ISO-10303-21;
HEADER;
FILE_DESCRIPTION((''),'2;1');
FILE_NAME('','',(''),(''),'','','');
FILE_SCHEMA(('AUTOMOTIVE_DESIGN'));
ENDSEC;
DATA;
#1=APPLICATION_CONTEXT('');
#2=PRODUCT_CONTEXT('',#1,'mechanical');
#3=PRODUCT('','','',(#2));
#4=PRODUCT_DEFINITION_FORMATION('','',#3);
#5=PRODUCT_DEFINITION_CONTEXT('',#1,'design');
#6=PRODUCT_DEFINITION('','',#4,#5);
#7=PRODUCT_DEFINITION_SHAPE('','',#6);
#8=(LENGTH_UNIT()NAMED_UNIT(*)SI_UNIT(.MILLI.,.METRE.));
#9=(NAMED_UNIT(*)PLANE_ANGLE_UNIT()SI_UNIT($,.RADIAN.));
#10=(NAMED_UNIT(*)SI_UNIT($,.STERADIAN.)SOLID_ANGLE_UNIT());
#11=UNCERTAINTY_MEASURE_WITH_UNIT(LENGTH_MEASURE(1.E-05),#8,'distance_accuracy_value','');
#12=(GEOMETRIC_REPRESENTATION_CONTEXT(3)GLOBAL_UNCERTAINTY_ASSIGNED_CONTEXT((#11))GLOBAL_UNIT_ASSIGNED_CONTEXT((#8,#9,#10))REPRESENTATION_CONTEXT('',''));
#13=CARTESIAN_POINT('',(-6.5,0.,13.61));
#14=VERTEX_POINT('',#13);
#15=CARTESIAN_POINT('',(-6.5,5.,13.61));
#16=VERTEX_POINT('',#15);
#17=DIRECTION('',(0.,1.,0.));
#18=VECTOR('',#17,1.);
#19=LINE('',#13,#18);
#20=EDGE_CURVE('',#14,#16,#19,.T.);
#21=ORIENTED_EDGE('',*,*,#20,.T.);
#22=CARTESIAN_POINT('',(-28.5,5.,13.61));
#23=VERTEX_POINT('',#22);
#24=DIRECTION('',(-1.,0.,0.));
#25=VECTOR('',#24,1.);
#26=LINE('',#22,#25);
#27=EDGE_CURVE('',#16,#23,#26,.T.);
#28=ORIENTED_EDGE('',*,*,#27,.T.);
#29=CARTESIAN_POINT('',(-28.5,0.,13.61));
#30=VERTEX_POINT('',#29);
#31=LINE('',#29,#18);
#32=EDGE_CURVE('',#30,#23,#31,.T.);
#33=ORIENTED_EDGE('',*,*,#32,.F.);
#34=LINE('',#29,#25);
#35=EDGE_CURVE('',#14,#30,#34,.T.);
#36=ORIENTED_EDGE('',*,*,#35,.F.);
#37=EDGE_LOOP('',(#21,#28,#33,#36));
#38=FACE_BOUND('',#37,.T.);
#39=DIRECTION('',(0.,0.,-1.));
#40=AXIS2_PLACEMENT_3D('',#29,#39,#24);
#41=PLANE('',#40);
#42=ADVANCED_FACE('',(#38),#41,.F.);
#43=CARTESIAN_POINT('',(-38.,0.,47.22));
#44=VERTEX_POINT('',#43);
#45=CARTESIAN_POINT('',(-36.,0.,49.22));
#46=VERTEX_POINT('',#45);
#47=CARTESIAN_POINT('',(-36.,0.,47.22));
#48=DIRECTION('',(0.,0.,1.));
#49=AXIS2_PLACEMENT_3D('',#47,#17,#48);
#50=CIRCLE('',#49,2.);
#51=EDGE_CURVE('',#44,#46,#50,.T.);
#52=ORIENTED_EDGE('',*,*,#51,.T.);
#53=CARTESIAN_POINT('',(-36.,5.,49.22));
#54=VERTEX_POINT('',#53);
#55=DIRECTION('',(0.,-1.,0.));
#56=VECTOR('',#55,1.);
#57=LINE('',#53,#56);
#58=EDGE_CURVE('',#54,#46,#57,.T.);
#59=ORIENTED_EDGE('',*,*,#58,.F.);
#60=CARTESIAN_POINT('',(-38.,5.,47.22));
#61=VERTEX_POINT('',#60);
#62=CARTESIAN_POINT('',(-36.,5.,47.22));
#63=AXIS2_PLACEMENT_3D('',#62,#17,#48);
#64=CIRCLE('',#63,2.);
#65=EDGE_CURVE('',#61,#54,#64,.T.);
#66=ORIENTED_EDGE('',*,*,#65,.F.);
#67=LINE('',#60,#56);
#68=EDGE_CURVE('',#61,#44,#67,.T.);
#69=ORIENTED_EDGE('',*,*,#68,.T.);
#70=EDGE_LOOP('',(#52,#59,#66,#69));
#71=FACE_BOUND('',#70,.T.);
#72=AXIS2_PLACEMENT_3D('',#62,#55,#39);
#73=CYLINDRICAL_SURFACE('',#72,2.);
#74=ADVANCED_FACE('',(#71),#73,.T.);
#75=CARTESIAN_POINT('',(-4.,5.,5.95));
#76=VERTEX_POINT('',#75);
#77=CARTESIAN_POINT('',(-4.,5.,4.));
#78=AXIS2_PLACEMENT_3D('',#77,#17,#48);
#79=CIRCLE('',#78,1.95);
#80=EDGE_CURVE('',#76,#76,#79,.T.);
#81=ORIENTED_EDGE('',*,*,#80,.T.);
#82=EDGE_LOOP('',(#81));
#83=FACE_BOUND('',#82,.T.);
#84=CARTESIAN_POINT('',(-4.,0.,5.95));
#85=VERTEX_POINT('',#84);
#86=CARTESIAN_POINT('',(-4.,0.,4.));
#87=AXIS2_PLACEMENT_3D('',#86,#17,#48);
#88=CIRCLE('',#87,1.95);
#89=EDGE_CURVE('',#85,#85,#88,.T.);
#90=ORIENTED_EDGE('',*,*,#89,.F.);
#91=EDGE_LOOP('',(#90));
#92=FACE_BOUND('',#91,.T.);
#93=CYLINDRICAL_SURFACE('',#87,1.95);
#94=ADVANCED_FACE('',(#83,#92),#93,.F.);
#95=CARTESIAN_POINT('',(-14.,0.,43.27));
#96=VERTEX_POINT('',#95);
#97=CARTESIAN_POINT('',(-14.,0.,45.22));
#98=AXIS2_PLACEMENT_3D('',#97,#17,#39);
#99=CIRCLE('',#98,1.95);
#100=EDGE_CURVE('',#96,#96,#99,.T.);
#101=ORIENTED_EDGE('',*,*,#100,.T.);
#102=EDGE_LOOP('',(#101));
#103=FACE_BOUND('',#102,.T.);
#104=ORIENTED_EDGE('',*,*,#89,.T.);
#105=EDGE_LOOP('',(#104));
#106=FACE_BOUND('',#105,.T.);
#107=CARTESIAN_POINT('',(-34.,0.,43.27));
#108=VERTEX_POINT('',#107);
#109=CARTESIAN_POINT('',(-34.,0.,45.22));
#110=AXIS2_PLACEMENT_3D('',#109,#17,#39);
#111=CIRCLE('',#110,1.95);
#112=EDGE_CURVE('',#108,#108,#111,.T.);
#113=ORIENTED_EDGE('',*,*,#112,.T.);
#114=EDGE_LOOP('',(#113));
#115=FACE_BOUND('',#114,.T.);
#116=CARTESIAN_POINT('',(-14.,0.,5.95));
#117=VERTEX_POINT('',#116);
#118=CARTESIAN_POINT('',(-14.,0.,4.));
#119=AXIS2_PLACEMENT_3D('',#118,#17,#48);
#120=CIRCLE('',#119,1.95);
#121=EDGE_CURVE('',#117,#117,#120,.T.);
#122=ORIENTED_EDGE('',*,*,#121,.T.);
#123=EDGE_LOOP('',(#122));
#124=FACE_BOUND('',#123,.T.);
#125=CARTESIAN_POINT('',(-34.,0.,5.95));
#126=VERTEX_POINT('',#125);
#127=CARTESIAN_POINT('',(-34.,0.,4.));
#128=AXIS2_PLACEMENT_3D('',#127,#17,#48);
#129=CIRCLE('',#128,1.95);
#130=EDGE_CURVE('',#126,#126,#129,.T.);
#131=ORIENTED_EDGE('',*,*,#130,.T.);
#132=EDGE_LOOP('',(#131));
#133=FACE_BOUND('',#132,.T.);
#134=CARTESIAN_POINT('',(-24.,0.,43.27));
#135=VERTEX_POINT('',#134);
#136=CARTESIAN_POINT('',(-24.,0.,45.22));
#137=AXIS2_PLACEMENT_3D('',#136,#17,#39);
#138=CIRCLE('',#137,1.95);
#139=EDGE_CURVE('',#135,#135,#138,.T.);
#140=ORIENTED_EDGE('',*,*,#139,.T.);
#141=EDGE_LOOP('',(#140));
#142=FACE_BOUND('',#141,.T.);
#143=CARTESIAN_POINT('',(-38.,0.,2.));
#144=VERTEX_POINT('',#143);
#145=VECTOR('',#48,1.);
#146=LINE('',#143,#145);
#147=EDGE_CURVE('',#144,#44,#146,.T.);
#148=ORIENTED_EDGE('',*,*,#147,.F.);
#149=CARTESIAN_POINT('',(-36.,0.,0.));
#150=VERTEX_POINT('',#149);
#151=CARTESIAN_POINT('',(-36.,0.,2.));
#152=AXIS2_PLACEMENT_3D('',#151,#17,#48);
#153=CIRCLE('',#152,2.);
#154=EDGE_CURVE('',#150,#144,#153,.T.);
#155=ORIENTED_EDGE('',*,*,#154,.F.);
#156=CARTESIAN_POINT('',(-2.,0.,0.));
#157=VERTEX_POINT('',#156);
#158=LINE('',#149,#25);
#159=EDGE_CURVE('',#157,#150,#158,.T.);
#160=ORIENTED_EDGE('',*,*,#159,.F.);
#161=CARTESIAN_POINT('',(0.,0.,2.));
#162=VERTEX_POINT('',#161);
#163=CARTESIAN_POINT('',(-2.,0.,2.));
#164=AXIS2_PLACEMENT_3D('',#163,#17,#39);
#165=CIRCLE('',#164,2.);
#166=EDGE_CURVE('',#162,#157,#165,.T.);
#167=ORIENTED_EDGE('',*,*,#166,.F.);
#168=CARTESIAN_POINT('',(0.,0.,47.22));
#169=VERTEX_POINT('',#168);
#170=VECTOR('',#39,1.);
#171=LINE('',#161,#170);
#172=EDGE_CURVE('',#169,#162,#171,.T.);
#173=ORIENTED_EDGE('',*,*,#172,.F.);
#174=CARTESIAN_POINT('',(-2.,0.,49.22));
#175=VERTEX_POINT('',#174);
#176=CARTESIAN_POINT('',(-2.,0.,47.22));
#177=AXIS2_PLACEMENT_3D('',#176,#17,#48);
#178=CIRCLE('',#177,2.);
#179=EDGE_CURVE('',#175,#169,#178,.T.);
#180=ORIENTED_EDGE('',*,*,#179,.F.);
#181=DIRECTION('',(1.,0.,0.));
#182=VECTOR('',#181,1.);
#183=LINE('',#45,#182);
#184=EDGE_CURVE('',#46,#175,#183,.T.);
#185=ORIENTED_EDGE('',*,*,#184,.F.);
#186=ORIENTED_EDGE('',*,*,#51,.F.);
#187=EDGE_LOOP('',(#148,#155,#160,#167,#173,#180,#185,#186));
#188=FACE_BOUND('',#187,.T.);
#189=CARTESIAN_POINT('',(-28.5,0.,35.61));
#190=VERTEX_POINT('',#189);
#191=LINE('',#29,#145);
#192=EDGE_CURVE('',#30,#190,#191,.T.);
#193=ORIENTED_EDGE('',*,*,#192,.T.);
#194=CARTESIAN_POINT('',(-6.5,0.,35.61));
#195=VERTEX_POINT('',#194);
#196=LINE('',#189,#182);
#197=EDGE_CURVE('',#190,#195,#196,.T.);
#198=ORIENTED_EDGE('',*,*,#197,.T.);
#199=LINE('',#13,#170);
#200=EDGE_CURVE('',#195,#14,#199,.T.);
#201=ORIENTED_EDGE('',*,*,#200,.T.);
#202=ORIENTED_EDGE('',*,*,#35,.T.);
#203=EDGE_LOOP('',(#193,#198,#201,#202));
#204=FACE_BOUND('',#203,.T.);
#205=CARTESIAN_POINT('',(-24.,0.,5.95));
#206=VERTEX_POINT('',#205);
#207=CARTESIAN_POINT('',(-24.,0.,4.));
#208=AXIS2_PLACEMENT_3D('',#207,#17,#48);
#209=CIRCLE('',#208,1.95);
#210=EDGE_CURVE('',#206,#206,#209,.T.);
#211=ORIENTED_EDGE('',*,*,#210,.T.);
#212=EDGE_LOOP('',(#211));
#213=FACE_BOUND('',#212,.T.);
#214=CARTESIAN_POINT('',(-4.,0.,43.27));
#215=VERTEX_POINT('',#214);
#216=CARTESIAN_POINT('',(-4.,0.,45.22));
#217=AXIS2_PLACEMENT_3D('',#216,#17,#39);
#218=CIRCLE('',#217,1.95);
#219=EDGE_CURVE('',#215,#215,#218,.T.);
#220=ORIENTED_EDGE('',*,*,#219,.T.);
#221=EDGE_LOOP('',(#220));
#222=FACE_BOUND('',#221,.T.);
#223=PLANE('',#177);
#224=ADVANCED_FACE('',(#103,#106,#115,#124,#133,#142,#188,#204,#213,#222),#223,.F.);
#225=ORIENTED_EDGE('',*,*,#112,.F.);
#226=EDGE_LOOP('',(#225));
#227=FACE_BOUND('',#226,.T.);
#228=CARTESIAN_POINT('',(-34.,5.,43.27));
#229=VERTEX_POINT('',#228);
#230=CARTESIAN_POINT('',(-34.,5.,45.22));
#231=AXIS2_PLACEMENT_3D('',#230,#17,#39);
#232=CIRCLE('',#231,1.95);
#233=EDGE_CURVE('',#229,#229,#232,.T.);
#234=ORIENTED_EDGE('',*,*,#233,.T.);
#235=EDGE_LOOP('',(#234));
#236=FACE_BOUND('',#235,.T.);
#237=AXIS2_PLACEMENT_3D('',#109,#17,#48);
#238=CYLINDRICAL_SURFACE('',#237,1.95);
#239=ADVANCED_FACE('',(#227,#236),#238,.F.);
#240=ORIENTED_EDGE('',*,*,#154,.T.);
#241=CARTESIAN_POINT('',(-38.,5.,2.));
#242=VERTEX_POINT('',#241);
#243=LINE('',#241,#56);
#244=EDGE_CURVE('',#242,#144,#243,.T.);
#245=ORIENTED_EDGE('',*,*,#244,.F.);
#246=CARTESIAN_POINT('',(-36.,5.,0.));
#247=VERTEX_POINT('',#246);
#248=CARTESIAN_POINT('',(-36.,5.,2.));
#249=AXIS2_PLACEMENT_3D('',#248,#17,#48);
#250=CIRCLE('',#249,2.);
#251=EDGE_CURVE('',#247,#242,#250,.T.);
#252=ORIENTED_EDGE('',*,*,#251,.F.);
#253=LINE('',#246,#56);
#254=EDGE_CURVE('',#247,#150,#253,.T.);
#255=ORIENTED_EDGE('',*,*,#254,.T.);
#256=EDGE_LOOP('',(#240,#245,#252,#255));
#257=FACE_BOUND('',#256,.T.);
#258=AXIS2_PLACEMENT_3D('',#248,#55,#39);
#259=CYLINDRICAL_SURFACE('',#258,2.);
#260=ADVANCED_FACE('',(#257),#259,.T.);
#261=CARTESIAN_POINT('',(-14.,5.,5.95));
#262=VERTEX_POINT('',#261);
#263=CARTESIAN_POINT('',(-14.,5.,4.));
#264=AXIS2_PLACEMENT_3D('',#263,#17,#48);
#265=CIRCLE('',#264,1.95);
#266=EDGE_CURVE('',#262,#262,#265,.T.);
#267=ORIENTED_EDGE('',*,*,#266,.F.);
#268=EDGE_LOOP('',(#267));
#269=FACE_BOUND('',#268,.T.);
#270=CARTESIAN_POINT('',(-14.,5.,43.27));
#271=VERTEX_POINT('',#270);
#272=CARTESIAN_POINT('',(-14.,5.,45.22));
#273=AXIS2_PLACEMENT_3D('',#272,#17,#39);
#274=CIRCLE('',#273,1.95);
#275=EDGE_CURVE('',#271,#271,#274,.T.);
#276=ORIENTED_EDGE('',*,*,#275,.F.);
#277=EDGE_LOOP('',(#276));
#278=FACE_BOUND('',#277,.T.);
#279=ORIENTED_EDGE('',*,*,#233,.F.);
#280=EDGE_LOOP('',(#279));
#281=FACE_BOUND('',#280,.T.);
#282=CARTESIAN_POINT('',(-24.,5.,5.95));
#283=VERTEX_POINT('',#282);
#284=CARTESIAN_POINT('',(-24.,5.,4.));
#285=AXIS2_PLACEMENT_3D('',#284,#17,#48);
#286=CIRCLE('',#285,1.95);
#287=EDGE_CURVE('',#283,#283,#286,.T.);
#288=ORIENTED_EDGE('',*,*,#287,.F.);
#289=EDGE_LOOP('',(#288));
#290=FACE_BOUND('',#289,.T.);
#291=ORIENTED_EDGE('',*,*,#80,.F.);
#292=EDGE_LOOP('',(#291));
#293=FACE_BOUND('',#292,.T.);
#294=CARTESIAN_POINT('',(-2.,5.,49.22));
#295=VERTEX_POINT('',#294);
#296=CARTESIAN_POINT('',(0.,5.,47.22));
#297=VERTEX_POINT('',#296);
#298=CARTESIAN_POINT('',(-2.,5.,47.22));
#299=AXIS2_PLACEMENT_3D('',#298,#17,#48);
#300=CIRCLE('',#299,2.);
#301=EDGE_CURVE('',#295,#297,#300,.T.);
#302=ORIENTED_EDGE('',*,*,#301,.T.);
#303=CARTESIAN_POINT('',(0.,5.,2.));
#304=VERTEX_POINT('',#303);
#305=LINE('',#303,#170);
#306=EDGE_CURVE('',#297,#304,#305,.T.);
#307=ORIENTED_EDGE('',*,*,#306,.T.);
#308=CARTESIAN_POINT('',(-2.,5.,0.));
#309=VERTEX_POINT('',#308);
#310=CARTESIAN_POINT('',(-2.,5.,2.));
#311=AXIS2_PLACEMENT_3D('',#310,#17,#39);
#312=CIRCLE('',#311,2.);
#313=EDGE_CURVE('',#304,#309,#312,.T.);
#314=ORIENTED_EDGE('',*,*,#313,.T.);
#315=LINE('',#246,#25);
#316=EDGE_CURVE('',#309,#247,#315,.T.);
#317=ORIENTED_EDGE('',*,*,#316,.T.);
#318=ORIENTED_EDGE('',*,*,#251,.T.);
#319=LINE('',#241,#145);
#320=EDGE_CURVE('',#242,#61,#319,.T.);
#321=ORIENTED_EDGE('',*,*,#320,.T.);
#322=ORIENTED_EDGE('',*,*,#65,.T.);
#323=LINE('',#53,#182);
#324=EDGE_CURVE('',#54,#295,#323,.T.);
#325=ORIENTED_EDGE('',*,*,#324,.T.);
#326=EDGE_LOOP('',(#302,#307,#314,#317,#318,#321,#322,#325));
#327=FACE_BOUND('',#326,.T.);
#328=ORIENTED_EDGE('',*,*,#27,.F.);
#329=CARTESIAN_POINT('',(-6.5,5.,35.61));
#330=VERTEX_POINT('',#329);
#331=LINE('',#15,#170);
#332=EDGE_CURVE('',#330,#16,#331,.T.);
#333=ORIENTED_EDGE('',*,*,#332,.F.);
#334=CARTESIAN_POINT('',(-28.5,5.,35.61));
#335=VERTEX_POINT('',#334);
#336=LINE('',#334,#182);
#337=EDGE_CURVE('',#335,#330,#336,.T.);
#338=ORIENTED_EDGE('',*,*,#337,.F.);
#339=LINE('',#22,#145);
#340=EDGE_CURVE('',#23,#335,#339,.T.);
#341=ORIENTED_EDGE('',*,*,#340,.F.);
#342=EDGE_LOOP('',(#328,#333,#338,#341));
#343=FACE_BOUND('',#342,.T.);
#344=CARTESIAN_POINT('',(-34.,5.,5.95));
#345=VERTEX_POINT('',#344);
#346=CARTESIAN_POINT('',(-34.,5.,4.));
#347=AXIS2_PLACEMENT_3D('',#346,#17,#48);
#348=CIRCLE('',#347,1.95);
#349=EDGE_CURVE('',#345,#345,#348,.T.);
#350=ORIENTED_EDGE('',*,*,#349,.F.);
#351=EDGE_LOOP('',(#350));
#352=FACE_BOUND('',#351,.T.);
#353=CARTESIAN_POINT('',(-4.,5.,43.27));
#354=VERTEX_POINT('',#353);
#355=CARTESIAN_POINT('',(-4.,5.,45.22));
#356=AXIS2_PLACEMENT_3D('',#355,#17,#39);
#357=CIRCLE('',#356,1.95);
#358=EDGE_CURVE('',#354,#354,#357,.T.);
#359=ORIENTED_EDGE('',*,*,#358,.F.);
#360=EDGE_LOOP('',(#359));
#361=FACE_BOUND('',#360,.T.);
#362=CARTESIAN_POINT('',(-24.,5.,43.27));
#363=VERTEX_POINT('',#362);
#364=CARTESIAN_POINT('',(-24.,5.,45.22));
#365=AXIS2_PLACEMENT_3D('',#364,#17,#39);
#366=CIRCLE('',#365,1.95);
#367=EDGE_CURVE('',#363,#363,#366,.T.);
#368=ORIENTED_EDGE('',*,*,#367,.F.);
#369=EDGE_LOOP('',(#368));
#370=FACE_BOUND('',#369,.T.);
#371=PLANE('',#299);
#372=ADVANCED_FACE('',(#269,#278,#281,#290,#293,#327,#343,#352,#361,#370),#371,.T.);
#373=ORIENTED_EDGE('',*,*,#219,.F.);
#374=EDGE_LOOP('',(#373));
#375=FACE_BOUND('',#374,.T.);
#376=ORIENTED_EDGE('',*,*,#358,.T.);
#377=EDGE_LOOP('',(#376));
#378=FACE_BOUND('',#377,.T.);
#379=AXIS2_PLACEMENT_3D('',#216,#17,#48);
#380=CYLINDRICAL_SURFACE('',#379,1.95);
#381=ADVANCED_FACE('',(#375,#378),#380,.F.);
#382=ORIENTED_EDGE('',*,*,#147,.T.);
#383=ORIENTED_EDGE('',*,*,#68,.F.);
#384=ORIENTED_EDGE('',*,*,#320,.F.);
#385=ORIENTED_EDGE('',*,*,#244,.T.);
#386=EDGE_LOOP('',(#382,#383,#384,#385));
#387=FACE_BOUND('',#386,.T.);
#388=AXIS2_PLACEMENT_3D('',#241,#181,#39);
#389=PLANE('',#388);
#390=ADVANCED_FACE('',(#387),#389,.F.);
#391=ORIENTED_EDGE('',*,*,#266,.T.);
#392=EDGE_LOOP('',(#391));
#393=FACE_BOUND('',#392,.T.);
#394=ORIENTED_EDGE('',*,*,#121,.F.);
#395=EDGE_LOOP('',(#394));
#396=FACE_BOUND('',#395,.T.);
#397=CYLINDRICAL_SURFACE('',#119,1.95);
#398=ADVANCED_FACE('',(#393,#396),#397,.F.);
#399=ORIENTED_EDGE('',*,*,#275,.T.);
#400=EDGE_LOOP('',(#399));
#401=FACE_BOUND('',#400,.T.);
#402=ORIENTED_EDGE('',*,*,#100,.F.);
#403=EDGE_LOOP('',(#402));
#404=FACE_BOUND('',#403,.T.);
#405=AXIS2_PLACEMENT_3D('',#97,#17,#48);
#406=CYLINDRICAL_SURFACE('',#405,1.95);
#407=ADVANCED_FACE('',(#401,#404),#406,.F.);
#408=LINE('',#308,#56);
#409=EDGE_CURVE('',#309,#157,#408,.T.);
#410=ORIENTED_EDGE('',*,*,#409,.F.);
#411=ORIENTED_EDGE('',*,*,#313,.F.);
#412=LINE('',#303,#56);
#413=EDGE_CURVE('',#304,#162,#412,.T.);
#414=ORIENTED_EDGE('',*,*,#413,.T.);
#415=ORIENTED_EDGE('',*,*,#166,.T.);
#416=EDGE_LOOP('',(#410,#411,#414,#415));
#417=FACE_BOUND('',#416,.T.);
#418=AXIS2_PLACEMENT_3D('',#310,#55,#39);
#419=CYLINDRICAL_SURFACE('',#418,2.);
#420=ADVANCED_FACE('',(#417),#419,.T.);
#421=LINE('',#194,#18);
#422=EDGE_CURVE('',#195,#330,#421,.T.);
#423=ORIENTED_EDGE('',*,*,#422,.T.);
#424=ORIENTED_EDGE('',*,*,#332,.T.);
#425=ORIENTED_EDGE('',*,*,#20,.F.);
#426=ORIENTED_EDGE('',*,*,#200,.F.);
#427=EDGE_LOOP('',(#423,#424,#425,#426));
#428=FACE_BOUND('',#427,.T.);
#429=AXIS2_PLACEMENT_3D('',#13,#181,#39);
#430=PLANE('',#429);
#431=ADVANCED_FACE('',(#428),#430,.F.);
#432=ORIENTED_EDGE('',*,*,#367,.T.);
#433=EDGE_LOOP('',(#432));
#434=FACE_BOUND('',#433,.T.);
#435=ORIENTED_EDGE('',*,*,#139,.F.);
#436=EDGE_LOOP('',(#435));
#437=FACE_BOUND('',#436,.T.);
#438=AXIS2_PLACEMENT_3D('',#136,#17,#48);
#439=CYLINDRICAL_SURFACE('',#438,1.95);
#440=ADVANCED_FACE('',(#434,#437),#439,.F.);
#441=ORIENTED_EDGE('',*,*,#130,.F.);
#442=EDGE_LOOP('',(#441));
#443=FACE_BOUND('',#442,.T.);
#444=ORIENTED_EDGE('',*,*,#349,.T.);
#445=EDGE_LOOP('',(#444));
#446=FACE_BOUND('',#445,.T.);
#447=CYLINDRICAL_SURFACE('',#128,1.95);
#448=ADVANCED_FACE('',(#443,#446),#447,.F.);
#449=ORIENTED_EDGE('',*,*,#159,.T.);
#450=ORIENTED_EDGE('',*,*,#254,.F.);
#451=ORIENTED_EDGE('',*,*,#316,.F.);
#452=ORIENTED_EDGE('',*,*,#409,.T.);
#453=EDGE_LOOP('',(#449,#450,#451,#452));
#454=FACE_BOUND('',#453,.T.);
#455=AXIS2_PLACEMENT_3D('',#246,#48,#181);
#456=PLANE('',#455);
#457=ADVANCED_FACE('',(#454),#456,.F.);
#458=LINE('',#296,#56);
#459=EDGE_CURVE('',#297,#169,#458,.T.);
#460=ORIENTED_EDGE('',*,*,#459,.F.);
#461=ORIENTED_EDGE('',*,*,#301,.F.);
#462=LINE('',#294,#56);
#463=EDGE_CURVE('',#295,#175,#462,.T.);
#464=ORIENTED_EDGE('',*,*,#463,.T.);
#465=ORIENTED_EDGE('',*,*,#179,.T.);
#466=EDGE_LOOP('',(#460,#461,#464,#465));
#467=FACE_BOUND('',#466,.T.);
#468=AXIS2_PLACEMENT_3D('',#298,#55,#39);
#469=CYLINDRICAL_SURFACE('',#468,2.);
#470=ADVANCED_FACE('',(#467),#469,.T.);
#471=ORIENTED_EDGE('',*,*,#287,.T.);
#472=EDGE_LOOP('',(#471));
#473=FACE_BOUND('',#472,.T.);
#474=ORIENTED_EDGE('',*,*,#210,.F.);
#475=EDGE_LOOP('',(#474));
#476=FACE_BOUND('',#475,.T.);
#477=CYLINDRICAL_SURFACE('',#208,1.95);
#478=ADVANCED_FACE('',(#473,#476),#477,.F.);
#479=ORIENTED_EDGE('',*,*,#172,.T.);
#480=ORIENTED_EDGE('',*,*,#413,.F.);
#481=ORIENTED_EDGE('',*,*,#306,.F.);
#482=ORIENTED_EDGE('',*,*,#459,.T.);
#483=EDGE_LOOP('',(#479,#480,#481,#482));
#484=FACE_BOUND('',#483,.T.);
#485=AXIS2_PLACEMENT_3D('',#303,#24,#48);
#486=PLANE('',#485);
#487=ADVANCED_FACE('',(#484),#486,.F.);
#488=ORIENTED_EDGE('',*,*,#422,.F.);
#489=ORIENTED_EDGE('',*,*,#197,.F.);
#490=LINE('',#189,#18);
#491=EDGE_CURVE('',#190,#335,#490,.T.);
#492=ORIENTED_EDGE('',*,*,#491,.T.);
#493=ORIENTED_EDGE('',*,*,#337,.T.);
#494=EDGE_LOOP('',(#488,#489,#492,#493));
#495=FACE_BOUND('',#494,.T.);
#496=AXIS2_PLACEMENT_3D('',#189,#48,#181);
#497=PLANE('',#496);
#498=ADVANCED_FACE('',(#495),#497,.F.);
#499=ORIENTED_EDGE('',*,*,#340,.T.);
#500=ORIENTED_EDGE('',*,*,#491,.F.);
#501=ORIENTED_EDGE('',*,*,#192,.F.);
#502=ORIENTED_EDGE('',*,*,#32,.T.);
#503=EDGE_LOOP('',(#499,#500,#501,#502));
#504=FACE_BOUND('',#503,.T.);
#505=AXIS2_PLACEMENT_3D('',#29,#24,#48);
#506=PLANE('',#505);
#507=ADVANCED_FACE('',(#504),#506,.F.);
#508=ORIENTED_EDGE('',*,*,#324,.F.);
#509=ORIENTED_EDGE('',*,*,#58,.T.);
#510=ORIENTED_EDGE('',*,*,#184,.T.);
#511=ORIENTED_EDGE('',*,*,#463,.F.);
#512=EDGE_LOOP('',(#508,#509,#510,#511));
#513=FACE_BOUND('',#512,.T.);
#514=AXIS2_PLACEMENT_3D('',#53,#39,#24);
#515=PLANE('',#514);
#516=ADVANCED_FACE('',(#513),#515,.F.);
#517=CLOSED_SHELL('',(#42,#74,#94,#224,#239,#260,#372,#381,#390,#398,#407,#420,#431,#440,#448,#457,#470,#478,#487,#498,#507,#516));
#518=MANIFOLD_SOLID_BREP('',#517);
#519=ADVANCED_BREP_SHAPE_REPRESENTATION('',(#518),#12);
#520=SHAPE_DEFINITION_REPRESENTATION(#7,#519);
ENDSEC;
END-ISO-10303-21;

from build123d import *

# Parameters (mm, degrees)
BOSS_EXTRUDE1_DEPTH = 5
SKETCH2_R           = 1.95
SKETCH2_W           = 22
SKETCH2_H           = 22
CUT_EXTRUDE1_DEPTH  = 6


with BuildPart() as part:
    # Sketch1 → Boss-Extrude1 (new body)
    with BuildSketch(Plane(origin=(0, 0, 0), x_dir=(1, 0, 0), z_dir=(0, 1, 0))):
        with BuildLine():
            Line((-36, 0), (-2, 0))
            ThreePointArc((-2, 0), (-0.585786438, -0.585786438), (0, -2))
            Line((0, -2), (0, -47.22))
            ThreePointArc((0, -47.22), (-0.585786438, -48.634213562), (-2, -49.22))
            Line((-2, -49.22), (-36, -49.22))
            ThreePointArc((-36, -49.22), (-37.414213562, -48.634213562), (-38, -47.22))
            Line((-38, -47.22), (-38, -2))
            ThreePointArc((-38, -2), (-37.414213562, -0.585786438), (-36, 0))
        make_face()
    extrude(amount=BOSS_EXTRUDE1_DEPTH)

    # Sketch2 → Cut-Extrude1 (cut, through all)
    with BuildSketch(Plane(origin=(0, 5, 0), x_dir=(1, 0, 0), z_dir=(0, 1, 0))):
        with Locations((-4, -4)):
            Circle(SKETCH2_R)
        with Locations((-14, -4)):
            Circle(SKETCH2_R)
        with Locations((-24, -4)):
            Circle(SKETCH2_R)
        with Locations((-54, -4)):
            Circle(SKETCH2_R)
        with Locations((-34, -4)):
            Circle(SKETCH2_R)
        with Locations((-44, -4)):
            Circle(SKETCH2_R)
        with Locations((-44, -45.22)):
            Circle(SKETCH2_R)
        with Locations((-34, -45.22)):
            Circle(SKETCH2_R)
        with Locations((-54, -45.22)):
            Circle(SKETCH2_R)
        with Locations((-24, -45.22)):
            Circle(SKETCH2_R)
        with Locations((-14, -45.22)):
            Circle(SKETCH2_R)
        with Locations((-4, -45.22)):
            Circle(SKETCH2_R)
        with Locations((-17.5, -24.61)):
            Rectangle(SKETCH2_W, SKETCH2_H)
    extrude(amount=-CUT_EXTRUDE1_DEPTH, mode=Mode.SUBTRACT)


solid = part.part
